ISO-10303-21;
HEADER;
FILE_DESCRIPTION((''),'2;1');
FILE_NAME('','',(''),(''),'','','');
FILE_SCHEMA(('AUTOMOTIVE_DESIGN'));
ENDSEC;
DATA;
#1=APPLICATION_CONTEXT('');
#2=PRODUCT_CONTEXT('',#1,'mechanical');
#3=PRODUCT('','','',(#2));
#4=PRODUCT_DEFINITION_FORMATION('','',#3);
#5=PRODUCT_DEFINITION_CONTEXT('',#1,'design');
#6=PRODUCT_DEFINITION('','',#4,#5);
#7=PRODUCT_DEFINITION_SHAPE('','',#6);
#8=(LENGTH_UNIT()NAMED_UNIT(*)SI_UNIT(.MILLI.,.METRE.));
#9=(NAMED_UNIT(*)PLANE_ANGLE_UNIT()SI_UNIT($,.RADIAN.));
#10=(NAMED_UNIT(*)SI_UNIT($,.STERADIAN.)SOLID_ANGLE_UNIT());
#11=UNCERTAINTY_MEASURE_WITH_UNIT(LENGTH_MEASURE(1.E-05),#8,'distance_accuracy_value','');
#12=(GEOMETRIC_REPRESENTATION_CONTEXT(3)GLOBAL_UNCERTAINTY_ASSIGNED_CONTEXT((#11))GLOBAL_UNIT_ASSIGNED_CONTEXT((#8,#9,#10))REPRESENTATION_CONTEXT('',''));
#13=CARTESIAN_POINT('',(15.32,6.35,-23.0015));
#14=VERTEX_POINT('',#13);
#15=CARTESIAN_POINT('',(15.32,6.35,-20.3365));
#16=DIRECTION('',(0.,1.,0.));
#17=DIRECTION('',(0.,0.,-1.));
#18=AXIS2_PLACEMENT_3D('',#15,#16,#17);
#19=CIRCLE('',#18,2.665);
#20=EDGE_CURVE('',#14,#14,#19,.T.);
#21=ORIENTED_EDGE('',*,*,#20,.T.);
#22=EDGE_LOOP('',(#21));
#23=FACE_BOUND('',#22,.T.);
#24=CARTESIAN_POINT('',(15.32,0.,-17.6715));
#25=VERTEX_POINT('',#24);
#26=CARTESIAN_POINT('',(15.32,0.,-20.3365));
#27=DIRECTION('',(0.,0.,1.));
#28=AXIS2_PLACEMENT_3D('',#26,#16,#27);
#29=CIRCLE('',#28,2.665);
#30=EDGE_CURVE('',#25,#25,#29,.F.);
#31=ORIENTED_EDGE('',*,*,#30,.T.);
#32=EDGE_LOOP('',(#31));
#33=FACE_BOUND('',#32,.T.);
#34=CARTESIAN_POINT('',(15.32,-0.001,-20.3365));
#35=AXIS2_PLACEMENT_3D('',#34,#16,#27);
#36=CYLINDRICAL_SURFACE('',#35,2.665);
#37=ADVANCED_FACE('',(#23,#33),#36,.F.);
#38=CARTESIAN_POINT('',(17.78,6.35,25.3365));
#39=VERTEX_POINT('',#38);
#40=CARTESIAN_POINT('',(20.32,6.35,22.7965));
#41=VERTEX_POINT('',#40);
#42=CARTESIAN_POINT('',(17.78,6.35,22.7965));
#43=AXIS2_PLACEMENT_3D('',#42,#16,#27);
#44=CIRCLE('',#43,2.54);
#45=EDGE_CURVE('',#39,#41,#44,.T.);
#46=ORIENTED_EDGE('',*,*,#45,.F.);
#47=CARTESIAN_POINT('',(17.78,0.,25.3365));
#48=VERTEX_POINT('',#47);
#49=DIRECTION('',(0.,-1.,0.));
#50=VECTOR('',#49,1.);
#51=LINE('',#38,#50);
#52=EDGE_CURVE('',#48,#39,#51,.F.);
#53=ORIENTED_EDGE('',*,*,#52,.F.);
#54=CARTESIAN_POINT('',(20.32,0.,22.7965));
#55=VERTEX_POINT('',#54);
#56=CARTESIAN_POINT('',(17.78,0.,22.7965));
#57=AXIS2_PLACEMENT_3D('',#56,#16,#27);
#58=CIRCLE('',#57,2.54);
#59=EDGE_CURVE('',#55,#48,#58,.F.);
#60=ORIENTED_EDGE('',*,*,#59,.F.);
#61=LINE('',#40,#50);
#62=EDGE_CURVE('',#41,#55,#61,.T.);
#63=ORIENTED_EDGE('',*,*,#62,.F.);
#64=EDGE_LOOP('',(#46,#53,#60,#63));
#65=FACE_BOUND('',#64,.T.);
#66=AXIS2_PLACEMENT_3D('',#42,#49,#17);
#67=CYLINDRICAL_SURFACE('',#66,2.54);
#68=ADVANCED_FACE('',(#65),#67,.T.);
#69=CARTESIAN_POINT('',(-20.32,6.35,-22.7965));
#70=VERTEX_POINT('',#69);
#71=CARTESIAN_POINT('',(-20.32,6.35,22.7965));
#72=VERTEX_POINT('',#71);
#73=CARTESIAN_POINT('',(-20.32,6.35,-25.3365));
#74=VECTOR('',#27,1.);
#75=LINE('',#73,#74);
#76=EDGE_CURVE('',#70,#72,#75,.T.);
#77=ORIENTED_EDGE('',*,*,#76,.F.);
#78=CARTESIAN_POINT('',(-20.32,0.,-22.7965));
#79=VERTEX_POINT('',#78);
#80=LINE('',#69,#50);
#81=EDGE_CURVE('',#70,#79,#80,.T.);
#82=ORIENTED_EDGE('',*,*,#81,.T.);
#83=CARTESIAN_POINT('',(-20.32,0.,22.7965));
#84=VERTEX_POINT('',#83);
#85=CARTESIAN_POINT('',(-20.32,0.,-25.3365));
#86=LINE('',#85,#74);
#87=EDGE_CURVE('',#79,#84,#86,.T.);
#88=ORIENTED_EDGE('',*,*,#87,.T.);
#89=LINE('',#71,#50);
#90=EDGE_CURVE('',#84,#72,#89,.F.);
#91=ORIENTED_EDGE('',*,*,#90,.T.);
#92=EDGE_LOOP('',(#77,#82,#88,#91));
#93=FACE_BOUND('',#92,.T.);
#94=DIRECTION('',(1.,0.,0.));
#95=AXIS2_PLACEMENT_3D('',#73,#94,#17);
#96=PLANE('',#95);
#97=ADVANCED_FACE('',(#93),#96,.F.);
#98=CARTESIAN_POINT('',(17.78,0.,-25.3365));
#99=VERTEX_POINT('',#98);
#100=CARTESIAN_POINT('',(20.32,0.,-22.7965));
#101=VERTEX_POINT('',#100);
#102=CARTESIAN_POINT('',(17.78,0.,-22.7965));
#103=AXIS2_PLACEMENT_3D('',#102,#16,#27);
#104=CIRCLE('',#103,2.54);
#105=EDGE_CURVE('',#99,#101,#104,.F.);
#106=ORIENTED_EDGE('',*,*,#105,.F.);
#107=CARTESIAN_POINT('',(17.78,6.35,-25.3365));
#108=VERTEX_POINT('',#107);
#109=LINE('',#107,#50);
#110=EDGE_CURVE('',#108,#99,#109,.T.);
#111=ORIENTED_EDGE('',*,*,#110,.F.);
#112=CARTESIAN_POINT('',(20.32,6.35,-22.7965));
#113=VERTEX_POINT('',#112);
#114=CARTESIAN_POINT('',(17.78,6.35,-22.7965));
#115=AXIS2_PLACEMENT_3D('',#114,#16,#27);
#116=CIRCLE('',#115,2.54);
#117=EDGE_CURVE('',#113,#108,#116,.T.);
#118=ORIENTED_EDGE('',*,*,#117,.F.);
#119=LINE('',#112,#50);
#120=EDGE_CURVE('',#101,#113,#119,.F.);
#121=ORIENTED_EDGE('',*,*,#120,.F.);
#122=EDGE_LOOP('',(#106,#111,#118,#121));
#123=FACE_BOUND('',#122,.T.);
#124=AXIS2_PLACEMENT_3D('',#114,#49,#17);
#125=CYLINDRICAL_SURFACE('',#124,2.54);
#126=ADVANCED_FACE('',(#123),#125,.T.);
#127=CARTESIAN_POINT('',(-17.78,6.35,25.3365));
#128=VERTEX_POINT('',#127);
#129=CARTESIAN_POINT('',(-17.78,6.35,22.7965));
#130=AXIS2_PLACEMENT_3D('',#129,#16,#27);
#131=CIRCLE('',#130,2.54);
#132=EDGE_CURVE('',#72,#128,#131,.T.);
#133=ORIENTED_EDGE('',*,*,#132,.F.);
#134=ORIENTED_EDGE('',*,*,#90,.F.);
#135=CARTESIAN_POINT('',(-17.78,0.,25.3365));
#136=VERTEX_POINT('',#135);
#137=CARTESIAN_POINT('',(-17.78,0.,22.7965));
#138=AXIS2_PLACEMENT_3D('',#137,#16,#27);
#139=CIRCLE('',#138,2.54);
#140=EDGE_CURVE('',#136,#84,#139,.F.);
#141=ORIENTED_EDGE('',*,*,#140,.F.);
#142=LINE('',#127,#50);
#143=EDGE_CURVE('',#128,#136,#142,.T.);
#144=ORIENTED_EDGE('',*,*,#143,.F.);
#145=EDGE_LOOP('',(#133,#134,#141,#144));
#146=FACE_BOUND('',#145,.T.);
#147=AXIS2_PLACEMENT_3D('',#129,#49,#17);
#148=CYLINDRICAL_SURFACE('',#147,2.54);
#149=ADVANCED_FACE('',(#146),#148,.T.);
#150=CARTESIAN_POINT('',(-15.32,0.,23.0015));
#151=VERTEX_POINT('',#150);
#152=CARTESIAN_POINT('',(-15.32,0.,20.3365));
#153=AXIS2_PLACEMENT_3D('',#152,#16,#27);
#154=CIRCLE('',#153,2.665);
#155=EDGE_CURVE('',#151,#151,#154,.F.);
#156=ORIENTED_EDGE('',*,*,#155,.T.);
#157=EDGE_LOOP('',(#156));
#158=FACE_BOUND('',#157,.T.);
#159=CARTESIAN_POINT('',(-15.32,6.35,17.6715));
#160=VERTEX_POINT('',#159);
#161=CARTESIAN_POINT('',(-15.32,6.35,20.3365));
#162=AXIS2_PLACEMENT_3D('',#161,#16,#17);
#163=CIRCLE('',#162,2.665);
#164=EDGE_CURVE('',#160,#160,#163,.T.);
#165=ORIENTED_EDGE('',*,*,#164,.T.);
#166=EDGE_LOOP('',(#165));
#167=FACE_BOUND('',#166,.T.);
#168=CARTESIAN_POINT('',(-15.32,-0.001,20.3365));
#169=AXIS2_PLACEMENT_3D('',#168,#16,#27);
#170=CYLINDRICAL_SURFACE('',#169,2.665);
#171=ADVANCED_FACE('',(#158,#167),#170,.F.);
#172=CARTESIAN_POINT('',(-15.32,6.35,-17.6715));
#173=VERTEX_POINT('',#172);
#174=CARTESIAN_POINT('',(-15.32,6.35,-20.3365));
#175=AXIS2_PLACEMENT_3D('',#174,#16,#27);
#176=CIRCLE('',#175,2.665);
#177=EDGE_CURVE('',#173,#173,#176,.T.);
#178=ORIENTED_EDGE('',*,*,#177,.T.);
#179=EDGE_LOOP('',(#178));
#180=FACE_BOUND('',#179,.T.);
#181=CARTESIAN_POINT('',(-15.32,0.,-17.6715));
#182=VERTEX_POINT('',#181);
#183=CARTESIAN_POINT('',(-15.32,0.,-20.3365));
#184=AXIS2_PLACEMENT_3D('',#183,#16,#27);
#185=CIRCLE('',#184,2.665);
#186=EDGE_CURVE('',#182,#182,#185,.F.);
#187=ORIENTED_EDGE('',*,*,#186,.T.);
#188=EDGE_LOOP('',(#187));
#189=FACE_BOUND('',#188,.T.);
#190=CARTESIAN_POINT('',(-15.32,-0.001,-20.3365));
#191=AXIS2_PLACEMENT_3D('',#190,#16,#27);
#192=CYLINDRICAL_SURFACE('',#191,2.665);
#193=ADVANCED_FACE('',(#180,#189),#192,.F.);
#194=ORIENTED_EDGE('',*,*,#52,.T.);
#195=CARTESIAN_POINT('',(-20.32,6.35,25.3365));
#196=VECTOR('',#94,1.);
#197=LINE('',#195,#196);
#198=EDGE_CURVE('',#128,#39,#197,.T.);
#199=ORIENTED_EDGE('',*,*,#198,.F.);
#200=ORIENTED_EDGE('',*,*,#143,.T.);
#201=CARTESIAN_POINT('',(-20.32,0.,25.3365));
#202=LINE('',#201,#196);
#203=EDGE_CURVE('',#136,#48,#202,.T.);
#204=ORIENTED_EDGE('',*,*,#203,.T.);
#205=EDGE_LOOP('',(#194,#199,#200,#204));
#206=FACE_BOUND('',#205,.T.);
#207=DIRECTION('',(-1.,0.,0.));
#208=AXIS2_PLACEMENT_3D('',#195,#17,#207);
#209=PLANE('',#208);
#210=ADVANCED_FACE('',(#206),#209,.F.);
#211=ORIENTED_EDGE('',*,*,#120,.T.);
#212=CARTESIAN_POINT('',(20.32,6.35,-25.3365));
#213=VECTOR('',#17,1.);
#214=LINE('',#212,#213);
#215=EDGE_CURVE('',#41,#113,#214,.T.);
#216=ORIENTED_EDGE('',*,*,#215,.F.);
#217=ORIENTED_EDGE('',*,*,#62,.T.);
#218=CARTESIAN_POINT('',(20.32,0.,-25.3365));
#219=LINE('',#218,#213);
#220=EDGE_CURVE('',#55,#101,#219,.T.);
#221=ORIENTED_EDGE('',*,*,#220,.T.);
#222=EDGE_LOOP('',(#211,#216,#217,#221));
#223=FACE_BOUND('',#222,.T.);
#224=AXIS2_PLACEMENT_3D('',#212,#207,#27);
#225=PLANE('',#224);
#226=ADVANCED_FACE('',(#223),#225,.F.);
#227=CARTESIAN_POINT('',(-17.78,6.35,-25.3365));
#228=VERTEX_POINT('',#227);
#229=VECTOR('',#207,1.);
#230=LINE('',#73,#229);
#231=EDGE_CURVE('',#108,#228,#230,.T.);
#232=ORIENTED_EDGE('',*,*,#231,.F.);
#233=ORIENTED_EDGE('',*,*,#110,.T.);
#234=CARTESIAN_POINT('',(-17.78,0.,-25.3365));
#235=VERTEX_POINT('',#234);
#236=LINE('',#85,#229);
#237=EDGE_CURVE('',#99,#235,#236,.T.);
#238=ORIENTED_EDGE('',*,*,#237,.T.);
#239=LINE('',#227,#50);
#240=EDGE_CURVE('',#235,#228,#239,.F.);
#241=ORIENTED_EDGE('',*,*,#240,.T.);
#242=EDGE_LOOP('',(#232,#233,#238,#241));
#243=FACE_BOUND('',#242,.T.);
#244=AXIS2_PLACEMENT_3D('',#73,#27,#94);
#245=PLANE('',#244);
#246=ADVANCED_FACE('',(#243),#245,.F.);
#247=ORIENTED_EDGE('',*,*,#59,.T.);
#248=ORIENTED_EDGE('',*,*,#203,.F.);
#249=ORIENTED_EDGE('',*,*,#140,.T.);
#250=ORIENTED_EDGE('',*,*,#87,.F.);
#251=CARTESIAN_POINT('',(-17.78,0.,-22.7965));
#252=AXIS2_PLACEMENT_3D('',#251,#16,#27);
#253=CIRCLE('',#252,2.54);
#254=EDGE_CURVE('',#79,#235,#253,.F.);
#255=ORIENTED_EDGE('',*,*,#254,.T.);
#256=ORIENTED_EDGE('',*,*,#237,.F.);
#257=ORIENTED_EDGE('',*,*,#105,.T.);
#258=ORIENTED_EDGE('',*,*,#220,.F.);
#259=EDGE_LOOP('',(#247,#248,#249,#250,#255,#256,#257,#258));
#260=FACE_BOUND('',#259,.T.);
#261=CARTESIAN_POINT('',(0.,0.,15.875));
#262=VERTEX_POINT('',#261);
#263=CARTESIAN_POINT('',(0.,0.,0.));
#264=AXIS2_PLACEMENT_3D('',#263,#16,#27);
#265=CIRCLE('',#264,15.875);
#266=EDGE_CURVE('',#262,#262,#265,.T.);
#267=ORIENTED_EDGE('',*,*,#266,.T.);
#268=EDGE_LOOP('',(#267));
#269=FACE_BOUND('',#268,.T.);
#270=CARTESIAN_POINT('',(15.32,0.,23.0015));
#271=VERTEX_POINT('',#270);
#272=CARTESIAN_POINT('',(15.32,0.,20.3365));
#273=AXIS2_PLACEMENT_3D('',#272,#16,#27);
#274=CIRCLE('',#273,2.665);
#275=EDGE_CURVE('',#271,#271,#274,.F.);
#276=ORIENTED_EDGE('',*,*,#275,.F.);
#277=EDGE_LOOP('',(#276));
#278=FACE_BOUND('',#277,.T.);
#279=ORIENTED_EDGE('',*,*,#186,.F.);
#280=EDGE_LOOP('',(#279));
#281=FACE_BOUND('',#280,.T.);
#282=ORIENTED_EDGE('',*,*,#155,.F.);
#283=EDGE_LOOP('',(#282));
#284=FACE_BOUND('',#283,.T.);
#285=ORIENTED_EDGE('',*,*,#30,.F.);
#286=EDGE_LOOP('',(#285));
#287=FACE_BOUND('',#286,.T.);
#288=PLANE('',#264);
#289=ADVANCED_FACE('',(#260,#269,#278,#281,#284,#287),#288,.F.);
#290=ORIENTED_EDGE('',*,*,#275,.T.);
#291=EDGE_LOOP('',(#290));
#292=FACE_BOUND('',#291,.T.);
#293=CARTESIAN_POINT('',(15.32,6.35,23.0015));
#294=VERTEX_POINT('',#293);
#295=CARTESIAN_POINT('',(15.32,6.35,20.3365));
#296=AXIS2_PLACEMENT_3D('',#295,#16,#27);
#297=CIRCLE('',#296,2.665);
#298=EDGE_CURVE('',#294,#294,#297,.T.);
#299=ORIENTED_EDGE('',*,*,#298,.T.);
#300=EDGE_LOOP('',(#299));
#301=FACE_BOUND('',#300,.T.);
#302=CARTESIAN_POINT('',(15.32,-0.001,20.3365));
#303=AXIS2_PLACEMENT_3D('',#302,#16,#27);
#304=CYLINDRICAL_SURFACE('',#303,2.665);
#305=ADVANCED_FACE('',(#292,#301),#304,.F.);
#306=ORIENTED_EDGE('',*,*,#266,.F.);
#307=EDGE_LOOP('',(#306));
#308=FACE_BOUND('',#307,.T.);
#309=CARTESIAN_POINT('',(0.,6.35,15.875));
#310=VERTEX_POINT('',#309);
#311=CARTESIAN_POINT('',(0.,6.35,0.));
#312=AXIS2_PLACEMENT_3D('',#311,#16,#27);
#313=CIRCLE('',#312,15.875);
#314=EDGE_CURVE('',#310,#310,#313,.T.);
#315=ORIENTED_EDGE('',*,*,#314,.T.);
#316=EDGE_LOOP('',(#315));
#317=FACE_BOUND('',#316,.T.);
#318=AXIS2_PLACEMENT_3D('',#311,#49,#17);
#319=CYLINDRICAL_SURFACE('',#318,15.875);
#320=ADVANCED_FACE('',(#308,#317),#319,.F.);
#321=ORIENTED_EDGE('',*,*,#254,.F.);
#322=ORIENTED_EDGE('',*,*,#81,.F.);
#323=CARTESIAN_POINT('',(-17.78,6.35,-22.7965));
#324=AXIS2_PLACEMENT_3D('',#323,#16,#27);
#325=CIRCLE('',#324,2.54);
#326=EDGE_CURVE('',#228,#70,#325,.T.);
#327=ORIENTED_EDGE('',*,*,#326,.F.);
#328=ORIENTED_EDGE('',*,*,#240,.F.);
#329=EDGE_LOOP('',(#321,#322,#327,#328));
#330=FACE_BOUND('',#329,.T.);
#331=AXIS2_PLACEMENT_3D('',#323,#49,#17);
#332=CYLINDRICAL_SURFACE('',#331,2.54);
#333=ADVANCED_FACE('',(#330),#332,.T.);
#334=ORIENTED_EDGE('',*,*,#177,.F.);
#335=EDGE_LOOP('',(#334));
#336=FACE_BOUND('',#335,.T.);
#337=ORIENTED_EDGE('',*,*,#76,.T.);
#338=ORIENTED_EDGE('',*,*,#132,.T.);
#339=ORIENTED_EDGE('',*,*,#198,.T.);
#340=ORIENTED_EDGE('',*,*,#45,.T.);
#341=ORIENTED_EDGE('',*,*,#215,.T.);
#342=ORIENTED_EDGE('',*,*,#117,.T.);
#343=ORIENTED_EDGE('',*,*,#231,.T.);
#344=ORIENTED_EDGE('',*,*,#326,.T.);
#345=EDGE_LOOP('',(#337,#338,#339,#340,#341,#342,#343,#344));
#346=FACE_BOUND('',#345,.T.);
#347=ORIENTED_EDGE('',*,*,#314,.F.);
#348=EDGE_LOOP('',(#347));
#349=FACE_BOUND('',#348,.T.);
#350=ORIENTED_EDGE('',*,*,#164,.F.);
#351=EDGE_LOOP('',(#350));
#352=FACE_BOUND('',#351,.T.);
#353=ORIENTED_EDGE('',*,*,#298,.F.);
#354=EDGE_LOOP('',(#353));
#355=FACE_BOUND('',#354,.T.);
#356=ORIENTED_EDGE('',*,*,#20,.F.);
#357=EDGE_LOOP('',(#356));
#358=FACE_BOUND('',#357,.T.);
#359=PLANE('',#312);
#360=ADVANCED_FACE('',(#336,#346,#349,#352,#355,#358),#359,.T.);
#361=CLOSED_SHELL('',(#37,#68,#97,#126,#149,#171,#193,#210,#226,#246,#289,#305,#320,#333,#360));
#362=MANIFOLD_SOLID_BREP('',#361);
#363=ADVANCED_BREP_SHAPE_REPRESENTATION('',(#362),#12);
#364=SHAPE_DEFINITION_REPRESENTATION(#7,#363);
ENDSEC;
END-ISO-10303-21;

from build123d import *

# Parameters (mm, degrees)
SKETCH1_W           = 40.64
SKETCH1_H           = 50.673
SKETCH1_R           = 15.875
BOSS_EXTRUDE1_DEPTH = 6.35
CUT_EXTRUDE1_REACH  = 35.093
SKETCH2_R           = 2.665
FILLET1_R           = 2.54


with BuildPart() as part:
    # Sketch1 → Boss-Extrude1 (new body)
    with BuildSketch(Plane(origin=(0, 0, 0), x_dir=(1, 0, 0), z_dir=(0, 1, 0))):
        Rectangle(SKETCH1_W, SKETCH1_H)
        with Locations(Location((0, 0, 0), (0, 0, 270))):
            Circle(SKETCH1_R, mode=Mode.SUBTRACT)
    extrude(amount=BOSS_EXTRUDE1_DEPTH)

    # Sketch2 → Cut-Extrude1 (cut, up to next)
    with BuildSketch(Plane(origin=(0, 6.35, 0), x_dir=(1, 0, 0), z_dir=(0, 1, 0)), mode=Mode.PRIVATE) as cut_extrude1_sk1:
        with Locations(Location((-15.32, 20.3365, 0), (0, 0, 270))):
            Circle(SKETCH2_R)
    cut_extrude1_tool1 = extrude(cut_extrude1_sk1.sketch, amount=-CUT_EXTRUDE1_REACH, mode=Mode.PRIVATE) & part.part
    # Sketch2 → Cut-Extrude1 (cut, up to next)
    with BuildSketch(Plane(origin=(0, 6.35, 0), x_dir=(1, 0, 0), z_dir=(0, 1, 0)), mode=Mode.PRIVATE) as cut_extrude1_sk2:
        with Locations(Location((15.32, 20.3365, 0), (0, 0, 270))):
            Circle(SKETCH2_R)
    cut_extrude1_tool2 = extrude(cut_extrude1_sk2.sketch, amount=-CUT_EXTRUDE1_REACH, mode=Mode.PRIVATE) & part.part
    # Sketch2 → Cut-Extrude1 (cut, up to next)
    with BuildSketch(Plane(origin=(0, 6.35, 0), x_dir=(1, 0, 0), z_dir=(0, 1, 0)), mode=Mode.PRIVATE) as cut_extrude1_sk3:
        with Locations(Location((15.32, -20.3365, 0), (0, 0, 270))):
            Circle(SKETCH2_R)
    cut_extrude1_tool3 = extrude(cut_extrude1_sk3.sketch, amount=-CUT_EXTRUDE1_REACH, mode=Mode.PRIVATE) & part.part
    # Sketch2 → Cut-Extrude1 (cut, up to next)
    with BuildSketch(Plane(origin=(0, 6.35, 0), x_dir=(1, 0, 0), z_dir=(0, 1, 0)), mode=Mode.PRIVATE) as cut_extrude1_sk4:
        with Locations(Location((-15.32, -20.3365, 0), (0, 0, 270))):
            Circle(SKETCH2_R)
    cut_extrude1_tool4 = extrude(cut_extrude1_sk4.sketch, amount=-CUT_EXTRUDE1_REACH, mode=Mode.PRIVATE) & part.part
    add(cut_extrude1_tool1.solids().sort_by_distance((-15.32, 6.35, -20.3365))[0], mode=Mode.SUBTRACT)
    add(cut_extrude1_tool2.solids().sort_by_distance((15.32, 6.35, -20.3365))[0], mode=Mode.SUBTRACT)
    add(cut_extrude1_tool3.solids().sort_by_distance((15.32, 6.35, 20.3365))[0], mode=Mode.SUBTRACT)
    add(cut_extrude1_tool4.solids().sort_by_distance((-15.32, 6.35, 20.3365))[0], mode=Mode.SUBTRACT)

    # Fillet1
    fillet1_edges = [part.edges().sort_by_distance(p)[0] for p in [
        (20.32, 3.175, 25.3365),
        (-20.32, 3.175, 25.3365),
        (-20.32, 3.175, -25.3365),
        (20.32, 3.175, -25.3365),
    ]]
    fillet(fillet1_edges, radius=FILLET1_R)


solid = part.part
